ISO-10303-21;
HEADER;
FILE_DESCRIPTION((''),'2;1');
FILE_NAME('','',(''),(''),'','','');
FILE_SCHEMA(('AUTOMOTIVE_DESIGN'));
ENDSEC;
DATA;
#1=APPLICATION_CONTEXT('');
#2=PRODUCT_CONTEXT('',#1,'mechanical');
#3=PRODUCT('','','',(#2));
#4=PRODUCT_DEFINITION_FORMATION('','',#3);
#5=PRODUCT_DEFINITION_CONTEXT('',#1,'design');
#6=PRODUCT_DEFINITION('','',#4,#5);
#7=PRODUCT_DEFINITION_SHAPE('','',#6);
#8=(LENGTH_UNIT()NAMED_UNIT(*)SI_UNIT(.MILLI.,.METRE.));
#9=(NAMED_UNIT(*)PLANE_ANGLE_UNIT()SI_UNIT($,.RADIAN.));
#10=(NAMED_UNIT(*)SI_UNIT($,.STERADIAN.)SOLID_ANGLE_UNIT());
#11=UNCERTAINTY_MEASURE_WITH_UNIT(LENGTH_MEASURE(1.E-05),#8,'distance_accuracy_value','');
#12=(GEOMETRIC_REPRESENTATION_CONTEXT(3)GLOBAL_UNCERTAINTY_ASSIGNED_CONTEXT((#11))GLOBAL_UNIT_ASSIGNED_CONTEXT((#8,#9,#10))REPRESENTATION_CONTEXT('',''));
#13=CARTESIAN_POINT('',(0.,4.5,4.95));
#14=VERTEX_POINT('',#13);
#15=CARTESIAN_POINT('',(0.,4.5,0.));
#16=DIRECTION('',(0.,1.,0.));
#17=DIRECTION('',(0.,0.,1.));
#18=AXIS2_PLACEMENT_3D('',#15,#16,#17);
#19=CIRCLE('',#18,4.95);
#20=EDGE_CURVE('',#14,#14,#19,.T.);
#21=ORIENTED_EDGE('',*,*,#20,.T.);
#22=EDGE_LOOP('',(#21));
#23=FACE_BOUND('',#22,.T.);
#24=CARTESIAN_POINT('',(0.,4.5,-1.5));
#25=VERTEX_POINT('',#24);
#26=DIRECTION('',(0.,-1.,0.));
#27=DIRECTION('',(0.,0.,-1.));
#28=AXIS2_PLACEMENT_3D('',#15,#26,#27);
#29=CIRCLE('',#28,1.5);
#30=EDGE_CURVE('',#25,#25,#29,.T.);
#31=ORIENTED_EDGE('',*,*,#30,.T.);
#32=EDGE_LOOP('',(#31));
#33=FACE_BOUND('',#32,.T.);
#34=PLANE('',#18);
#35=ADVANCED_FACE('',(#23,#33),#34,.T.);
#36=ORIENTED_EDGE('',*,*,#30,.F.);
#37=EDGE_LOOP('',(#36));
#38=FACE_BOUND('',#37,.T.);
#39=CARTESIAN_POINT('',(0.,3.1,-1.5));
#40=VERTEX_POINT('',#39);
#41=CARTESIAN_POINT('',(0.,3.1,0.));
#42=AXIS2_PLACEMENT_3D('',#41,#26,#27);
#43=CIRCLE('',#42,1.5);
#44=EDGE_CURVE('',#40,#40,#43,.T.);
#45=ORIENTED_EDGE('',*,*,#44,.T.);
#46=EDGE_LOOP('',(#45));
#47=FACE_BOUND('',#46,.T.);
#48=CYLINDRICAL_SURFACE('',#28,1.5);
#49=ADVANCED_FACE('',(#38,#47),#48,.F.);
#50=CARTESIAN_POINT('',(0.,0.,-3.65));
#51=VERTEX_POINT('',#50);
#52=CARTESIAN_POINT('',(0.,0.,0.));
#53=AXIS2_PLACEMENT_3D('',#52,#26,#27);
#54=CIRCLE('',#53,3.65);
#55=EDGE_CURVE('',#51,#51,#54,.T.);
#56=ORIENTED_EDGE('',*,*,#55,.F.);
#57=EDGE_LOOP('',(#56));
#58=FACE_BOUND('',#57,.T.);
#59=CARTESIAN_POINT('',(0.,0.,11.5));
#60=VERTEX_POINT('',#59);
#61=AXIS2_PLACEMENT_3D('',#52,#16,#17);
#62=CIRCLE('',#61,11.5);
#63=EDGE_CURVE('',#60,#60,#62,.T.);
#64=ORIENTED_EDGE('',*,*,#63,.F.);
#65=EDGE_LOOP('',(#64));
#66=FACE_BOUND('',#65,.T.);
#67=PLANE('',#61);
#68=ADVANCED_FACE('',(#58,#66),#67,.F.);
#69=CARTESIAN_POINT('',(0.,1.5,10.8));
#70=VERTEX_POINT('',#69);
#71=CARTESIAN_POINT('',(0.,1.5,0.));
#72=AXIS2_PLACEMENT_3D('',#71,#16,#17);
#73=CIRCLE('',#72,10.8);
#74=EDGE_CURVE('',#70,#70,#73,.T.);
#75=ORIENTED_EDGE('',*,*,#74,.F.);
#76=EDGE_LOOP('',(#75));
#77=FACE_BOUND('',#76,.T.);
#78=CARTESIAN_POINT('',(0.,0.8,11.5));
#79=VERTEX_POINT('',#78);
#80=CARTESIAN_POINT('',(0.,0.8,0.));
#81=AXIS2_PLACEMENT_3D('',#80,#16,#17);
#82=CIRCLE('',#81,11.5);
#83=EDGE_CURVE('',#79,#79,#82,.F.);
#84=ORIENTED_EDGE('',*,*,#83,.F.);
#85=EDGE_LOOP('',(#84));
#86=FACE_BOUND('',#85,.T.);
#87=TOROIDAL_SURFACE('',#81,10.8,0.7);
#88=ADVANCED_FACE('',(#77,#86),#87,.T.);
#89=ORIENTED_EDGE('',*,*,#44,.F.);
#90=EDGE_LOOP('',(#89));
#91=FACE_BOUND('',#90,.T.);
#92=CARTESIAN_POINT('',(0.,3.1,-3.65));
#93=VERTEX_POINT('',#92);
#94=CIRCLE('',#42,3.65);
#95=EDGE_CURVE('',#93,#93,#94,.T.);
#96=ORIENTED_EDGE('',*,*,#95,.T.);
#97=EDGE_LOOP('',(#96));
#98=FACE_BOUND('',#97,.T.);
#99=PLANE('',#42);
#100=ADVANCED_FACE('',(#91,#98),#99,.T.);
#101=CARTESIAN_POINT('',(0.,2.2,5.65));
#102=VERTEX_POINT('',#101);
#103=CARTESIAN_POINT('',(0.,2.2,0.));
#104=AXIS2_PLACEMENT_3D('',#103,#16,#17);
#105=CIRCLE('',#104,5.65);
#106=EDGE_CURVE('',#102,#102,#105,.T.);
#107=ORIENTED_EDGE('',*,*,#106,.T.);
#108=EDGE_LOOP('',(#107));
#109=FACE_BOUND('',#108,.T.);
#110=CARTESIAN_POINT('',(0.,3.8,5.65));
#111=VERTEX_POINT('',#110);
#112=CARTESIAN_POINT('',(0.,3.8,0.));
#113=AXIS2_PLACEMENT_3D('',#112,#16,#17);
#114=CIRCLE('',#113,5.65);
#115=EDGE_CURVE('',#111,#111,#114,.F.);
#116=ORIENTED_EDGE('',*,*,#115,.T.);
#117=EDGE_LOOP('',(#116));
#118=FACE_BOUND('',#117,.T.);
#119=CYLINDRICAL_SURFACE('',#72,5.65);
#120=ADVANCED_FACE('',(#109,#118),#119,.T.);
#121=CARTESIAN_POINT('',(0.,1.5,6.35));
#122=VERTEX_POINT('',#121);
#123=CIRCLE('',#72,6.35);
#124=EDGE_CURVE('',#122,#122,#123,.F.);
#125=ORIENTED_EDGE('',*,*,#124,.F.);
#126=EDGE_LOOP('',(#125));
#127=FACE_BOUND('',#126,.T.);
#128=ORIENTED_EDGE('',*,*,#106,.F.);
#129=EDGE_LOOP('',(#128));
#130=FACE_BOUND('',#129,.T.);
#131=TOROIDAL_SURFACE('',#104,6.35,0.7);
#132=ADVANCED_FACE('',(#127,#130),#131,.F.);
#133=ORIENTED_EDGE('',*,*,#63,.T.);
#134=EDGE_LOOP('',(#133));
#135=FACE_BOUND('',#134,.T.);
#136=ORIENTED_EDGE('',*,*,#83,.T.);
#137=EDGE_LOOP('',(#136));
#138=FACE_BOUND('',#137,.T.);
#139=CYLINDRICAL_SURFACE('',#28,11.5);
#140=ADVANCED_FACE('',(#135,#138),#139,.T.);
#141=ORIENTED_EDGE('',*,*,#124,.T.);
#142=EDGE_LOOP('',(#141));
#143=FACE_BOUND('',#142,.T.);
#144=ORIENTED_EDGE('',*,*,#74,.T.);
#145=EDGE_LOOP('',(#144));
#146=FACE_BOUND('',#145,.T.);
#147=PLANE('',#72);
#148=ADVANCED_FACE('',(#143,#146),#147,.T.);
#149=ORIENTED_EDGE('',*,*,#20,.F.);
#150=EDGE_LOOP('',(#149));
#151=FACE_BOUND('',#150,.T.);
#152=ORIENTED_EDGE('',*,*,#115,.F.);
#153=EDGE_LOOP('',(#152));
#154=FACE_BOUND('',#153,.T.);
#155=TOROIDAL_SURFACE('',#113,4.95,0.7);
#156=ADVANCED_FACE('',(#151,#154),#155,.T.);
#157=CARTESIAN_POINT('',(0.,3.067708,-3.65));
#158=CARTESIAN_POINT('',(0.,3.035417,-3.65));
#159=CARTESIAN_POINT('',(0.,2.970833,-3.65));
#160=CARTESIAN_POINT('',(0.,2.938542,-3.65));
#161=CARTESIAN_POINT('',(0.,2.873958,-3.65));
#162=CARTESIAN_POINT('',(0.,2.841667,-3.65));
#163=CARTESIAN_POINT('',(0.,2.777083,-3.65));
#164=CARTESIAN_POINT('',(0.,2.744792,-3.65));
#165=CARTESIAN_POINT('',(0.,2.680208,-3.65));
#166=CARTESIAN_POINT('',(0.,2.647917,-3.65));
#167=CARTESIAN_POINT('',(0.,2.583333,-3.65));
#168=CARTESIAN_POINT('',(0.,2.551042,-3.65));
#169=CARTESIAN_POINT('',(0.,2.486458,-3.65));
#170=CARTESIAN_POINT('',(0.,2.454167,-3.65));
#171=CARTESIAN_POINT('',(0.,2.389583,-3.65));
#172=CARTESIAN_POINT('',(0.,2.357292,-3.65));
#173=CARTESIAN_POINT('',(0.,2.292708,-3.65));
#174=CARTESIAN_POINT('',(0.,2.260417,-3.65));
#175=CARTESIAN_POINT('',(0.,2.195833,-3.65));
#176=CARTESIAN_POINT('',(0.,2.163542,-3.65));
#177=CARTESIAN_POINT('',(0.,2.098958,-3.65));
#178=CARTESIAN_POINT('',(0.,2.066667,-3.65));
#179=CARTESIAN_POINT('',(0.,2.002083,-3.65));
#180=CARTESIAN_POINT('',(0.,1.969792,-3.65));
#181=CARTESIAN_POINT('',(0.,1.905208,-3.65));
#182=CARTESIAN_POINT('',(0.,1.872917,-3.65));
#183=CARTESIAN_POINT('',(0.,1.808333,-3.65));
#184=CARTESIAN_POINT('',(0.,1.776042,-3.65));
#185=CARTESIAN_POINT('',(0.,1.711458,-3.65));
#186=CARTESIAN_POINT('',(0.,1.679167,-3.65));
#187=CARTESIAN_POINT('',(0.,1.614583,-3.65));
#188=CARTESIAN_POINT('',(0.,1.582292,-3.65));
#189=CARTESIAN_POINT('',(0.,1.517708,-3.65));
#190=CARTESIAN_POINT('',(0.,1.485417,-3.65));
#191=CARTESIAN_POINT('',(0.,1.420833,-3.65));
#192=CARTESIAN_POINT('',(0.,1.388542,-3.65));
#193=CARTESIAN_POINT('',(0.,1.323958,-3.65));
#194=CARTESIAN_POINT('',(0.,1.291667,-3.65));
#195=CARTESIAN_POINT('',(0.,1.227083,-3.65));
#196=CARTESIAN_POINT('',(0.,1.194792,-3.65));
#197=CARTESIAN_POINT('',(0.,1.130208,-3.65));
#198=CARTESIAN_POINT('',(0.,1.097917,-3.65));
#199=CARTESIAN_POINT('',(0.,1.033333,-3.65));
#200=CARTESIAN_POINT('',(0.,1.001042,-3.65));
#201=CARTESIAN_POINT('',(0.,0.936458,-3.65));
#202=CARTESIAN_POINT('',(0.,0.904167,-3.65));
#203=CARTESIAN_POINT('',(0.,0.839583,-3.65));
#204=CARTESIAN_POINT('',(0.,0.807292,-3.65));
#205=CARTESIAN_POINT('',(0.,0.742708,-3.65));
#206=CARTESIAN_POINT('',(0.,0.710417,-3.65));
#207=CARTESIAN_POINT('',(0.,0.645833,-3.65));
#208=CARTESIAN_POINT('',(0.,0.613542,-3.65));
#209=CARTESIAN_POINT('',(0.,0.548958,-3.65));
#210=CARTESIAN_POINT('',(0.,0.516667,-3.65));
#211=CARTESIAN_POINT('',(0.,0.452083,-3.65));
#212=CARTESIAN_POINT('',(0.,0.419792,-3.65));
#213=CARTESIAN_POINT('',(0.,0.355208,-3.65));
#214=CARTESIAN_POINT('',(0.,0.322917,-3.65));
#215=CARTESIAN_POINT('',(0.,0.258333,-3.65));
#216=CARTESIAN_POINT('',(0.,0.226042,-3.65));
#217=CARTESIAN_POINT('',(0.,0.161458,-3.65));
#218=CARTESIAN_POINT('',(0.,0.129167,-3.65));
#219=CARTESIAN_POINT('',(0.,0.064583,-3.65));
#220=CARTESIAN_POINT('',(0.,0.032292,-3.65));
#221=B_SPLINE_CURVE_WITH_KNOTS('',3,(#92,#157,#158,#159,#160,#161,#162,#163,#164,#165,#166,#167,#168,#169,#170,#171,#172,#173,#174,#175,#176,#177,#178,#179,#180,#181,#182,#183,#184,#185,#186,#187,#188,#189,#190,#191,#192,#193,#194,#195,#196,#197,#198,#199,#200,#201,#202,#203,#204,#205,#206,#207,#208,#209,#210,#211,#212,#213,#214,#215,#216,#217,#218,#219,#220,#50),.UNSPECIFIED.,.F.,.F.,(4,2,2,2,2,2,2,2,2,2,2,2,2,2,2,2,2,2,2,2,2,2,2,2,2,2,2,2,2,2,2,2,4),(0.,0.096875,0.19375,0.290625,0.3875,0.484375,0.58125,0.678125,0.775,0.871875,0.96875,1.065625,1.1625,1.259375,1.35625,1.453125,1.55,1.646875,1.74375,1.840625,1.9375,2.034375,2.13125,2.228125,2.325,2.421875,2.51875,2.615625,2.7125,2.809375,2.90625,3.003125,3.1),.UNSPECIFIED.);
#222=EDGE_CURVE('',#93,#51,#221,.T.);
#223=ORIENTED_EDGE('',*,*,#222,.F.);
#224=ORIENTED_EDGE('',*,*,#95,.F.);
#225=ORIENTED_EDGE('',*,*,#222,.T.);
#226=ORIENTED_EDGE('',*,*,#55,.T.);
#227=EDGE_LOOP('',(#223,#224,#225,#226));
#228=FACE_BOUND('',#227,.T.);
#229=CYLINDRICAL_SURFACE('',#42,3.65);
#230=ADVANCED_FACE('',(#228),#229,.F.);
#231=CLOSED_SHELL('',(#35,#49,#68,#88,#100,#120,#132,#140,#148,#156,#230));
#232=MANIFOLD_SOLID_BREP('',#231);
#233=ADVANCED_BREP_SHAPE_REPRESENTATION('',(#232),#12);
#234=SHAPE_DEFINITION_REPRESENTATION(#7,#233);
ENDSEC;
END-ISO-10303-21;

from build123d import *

# Parameters (mm, degrees)
SKETCH1_R           = 11.5
BOSS_EXTRUDE1_DEPTH = 4.5
SKETCH2_R           = 3.65
CUT_EXTRUDE1_DEPTH  = 3.1
SKETCH3_R           = 1.5
CUT_EXTRUDE2_DEPTH  = 17.556267695
CUT_EXTRUDE4_START  = -3
SKETCH4_R           = 11.5
SKETCH4_R_2         = 5.65
CUT_EXTRUDE4_DEPTH  = 3
FILLET2_R           = 0.7


with BuildPart() as part:
    # Sketch1 → Boss-Extrude1 (new body)
    with BuildSketch(Plane(origin=(0, 0, 0), x_dir=(1, 0, 0), z_dir=(0, 1, 0))):
        with Locations(Location((0, 0, 0), (0, 0, 270))):
            Circle(SKETCH1_R)
    extrude(amount=BOSS_EXTRUDE1_DEPTH)

    # Sketch2 → Cut-Extrude1 (cut)
    with BuildSketch(Plane.XZ):
        with Locations(Location((0, 0, 0), (0, 0, 270))):
            Circle(SKETCH2_R)
    extrude(amount=-CUT_EXTRUDE1_DEPTH, mode=Mode.SUBTRACT)

    # Sketch3 → Cut-Extrude2 (cut, through all)
    with BuildSketch(Plane.XZ.offset(-3.1)):
        with Locations(Location((0, 0, 0), (0, 0, 270))):
            Circle(SKETCH3_R)
    extrude(amount=-CUT_EXTRUDE2_DEPTH, mode=Mode.SUBTRACT)

    # Sketch4 → Cut-Extrude4 (cut)
    with BuildSketch(Plane(origin=(0, 4.5, 0), x_dir=(1, 0, 0), z_dir=(0, 1, 0)).offset(CUT_EXTRUDE4_START)):
        with Locations(Location((0, 0, 0), (0, 0, 270))):
            Circle(SKETCH4_R)
        with Locations(Location((0, 0, 0), (0, 0, 270))):
            Circle(SKETCH4_R_2, mode=Mode.SUBTRACT)
    extrude(amount=CUT_EXTRUDE4_DEPTH, mode=Mode.SUBTRACT)

    # Fillet2
    fillet2_edges = [part.edges().sort_by_distance(p)[0] for p in [
        (0, 1.5, -11.5),
        (0, 1.5, -5.65),
        (0, 4.5, -5.65),
    ]]
    fillet(fillet2_edges, radius=FILLET2_R)


solid = part.part
